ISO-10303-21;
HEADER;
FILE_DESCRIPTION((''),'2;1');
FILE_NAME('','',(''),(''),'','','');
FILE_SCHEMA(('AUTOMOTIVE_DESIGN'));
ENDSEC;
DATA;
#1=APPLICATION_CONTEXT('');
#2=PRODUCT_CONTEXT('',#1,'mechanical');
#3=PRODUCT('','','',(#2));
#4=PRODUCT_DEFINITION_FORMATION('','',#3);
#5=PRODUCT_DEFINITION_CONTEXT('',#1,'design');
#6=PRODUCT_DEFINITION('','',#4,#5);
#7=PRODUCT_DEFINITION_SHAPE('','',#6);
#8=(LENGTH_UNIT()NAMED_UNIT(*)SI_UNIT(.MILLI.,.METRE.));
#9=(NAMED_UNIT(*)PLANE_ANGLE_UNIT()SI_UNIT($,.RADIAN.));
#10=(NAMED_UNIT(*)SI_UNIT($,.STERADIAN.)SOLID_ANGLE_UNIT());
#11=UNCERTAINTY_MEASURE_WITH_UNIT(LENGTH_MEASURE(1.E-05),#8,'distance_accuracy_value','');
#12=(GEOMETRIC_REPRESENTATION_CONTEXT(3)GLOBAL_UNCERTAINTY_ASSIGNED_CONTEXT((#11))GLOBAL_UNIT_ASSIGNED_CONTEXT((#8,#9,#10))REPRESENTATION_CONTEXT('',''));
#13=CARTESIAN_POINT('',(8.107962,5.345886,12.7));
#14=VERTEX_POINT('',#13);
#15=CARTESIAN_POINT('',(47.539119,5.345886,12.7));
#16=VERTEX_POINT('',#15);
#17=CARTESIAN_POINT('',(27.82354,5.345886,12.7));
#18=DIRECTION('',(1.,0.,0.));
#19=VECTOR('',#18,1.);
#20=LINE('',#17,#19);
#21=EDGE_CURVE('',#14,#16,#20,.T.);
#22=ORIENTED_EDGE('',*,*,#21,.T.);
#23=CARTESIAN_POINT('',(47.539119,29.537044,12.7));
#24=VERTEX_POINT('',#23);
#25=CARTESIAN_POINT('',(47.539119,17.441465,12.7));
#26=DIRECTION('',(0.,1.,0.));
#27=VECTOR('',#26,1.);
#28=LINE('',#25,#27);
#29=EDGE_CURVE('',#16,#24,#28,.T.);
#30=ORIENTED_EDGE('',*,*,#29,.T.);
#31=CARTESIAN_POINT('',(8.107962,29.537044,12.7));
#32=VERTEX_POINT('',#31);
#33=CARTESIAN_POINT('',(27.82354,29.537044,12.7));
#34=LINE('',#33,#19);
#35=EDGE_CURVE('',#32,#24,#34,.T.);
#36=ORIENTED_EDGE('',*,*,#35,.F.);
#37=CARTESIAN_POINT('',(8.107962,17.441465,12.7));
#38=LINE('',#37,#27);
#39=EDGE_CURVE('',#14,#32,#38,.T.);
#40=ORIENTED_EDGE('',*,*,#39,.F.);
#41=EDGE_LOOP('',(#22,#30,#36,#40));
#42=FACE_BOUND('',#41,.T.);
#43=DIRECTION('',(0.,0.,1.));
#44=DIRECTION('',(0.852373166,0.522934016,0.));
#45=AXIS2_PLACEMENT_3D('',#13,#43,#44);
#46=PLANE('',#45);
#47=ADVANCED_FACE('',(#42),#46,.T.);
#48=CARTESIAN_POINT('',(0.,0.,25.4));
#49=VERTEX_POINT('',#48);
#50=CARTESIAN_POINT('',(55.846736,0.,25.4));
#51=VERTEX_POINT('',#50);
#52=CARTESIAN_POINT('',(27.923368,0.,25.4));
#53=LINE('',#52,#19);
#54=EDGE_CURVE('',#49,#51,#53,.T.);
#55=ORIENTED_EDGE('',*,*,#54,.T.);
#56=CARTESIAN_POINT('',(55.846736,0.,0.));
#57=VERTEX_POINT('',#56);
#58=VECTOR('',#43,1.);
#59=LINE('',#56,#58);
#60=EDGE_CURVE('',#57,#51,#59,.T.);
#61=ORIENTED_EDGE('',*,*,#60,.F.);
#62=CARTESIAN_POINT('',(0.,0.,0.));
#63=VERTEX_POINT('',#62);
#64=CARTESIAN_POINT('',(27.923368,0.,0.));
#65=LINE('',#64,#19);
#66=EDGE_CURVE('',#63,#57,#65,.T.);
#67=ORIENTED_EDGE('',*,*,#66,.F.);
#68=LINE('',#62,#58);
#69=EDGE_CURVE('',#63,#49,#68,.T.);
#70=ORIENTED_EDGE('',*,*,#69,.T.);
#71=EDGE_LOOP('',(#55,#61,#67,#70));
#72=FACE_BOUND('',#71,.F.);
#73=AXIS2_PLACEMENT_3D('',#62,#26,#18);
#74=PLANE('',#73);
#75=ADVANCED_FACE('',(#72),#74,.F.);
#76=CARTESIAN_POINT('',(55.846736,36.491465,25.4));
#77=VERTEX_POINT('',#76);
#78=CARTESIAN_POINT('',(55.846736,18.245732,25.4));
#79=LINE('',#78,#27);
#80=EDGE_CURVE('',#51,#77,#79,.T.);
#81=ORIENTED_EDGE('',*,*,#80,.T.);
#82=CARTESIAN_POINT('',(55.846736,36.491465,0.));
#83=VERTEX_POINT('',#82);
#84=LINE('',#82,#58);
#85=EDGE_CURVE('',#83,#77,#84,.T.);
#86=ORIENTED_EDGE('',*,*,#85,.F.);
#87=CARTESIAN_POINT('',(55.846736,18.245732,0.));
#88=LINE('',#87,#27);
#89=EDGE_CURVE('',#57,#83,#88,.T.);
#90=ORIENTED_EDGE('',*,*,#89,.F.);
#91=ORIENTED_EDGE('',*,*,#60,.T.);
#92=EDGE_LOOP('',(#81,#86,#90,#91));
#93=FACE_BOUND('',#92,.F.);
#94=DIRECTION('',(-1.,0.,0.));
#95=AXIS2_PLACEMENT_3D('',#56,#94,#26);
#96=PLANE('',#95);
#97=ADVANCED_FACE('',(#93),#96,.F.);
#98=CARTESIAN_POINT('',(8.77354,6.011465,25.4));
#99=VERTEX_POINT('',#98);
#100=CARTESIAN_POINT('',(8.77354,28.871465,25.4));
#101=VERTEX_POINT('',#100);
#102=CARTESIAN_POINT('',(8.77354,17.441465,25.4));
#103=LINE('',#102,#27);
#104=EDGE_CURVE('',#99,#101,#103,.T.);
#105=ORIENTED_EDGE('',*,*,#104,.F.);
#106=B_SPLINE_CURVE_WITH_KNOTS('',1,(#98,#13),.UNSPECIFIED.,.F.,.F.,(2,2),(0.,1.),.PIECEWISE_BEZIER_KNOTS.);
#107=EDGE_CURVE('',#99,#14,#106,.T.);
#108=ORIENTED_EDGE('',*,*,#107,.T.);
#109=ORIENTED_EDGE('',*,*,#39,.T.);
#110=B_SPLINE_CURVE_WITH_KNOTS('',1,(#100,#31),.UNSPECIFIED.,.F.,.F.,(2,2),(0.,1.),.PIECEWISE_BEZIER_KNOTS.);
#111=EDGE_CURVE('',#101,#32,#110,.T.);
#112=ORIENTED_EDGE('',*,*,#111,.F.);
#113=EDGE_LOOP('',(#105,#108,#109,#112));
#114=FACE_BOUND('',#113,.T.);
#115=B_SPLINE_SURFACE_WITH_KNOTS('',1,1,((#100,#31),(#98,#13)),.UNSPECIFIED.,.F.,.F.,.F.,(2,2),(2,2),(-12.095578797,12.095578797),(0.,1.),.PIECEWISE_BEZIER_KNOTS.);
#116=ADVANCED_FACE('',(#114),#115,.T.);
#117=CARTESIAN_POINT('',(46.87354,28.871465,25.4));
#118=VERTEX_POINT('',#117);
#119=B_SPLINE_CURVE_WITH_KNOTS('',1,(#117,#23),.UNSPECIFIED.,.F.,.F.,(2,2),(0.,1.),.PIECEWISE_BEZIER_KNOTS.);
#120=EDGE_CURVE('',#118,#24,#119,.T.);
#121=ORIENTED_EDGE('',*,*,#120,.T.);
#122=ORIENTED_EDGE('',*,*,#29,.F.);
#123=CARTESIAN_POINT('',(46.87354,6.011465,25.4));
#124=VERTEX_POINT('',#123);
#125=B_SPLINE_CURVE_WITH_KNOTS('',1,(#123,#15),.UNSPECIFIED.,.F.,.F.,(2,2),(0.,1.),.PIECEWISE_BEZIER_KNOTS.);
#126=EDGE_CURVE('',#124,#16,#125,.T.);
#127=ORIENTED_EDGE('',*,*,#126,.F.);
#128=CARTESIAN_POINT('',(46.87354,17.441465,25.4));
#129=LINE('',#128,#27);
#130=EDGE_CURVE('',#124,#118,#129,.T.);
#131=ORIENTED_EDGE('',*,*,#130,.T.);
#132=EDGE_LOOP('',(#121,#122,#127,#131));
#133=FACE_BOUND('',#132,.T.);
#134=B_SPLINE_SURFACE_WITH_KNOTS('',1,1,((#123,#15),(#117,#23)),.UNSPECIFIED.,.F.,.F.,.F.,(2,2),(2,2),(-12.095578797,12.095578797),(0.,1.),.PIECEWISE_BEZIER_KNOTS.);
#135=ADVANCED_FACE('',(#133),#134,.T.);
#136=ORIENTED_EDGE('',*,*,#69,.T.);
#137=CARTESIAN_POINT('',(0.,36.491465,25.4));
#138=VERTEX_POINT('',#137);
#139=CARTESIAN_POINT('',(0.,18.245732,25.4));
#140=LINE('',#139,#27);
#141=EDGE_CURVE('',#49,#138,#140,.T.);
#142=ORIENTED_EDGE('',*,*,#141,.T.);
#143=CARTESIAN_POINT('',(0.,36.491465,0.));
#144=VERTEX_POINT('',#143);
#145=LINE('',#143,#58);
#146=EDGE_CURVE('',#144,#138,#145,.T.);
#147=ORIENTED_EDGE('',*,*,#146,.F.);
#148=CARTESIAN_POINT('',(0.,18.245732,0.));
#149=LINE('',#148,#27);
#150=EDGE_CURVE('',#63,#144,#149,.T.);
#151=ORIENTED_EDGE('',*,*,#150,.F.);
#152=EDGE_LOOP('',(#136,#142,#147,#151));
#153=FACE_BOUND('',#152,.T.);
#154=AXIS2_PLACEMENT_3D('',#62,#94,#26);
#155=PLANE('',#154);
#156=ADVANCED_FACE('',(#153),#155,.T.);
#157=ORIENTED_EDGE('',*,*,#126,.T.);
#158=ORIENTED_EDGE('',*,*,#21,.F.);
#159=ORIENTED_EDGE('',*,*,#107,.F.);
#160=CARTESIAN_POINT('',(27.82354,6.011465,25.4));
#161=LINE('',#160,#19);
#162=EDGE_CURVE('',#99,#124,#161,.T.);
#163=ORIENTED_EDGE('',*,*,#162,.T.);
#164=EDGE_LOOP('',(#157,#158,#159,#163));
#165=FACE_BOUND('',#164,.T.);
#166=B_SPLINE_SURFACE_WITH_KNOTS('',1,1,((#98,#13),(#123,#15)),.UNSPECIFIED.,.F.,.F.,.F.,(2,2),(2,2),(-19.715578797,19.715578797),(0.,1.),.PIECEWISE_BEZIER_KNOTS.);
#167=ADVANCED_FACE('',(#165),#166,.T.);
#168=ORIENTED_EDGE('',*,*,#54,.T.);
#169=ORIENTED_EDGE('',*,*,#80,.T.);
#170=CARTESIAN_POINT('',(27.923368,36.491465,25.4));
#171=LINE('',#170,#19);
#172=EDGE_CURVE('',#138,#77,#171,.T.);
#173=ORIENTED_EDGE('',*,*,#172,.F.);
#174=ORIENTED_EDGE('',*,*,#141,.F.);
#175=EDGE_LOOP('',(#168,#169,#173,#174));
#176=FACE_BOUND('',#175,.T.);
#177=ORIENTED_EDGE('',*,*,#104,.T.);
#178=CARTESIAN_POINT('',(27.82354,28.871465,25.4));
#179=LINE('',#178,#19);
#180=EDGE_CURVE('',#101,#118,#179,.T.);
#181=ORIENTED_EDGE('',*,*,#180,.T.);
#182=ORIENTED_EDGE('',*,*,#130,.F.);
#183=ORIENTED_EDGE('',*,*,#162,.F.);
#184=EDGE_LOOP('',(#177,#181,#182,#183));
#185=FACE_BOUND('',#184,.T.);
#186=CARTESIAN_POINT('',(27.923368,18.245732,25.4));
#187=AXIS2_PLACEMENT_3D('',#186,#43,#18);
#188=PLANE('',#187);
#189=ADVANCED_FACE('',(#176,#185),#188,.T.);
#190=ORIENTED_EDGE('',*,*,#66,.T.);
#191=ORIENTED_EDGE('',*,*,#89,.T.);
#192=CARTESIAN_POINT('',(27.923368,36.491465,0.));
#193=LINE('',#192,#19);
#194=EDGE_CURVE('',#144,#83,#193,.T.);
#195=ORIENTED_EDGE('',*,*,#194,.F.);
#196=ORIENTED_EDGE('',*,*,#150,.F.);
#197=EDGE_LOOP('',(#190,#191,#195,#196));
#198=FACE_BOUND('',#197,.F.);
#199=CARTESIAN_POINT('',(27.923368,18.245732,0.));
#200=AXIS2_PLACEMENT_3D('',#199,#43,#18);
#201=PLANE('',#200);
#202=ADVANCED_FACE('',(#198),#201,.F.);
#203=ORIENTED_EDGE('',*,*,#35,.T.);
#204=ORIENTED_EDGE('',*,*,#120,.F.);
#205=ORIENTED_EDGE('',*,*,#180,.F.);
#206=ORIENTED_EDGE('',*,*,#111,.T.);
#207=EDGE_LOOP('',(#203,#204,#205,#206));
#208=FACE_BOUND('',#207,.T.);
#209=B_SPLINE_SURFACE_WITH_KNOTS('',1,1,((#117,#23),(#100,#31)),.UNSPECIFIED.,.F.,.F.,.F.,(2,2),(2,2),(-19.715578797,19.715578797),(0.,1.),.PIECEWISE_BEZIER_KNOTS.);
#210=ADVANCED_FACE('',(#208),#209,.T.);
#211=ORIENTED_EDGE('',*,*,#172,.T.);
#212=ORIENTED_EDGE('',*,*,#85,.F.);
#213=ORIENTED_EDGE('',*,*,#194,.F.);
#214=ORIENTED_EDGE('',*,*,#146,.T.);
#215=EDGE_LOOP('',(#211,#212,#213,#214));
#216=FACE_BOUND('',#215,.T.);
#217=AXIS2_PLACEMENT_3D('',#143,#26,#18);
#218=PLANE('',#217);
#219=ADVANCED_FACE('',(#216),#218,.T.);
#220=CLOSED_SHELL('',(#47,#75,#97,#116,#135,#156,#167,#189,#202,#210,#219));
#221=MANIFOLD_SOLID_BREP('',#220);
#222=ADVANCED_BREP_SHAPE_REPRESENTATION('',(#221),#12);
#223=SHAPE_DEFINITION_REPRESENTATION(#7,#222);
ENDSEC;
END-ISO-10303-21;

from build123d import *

# Parameters (mm, degrees)
F0_W     = 55.8467358351
F0_H     = 36.4914648235
F1_DEPTH = 25.4
F2_W     = 38.1
F2_H     = 22.86
F3_DEPTH = 12.7
F3_TAPER = -3


with BuildPart() as f1:
    # F0 (on Top) → F1 (new body)
    with BuildSketch(Plane.XY):
        with Locations((27.9233679175, 18.2457324117)):
            Rectangle(F0_W, F0_H)
    extrude(amount=F1_DEPTH)

    # F2 (on face) → F3 (cut)
    with BuildSketch(Plane.XY.offset(25.4)):
        with Locations((27.8235403821, 17.4414648235)):
            Rectangle(F2_W, F2_H)
    extrude(amount=-F3_DEPTH, taper=F3_TAPER, mode=Mode.SUBTRACT)


solid = f1.part
